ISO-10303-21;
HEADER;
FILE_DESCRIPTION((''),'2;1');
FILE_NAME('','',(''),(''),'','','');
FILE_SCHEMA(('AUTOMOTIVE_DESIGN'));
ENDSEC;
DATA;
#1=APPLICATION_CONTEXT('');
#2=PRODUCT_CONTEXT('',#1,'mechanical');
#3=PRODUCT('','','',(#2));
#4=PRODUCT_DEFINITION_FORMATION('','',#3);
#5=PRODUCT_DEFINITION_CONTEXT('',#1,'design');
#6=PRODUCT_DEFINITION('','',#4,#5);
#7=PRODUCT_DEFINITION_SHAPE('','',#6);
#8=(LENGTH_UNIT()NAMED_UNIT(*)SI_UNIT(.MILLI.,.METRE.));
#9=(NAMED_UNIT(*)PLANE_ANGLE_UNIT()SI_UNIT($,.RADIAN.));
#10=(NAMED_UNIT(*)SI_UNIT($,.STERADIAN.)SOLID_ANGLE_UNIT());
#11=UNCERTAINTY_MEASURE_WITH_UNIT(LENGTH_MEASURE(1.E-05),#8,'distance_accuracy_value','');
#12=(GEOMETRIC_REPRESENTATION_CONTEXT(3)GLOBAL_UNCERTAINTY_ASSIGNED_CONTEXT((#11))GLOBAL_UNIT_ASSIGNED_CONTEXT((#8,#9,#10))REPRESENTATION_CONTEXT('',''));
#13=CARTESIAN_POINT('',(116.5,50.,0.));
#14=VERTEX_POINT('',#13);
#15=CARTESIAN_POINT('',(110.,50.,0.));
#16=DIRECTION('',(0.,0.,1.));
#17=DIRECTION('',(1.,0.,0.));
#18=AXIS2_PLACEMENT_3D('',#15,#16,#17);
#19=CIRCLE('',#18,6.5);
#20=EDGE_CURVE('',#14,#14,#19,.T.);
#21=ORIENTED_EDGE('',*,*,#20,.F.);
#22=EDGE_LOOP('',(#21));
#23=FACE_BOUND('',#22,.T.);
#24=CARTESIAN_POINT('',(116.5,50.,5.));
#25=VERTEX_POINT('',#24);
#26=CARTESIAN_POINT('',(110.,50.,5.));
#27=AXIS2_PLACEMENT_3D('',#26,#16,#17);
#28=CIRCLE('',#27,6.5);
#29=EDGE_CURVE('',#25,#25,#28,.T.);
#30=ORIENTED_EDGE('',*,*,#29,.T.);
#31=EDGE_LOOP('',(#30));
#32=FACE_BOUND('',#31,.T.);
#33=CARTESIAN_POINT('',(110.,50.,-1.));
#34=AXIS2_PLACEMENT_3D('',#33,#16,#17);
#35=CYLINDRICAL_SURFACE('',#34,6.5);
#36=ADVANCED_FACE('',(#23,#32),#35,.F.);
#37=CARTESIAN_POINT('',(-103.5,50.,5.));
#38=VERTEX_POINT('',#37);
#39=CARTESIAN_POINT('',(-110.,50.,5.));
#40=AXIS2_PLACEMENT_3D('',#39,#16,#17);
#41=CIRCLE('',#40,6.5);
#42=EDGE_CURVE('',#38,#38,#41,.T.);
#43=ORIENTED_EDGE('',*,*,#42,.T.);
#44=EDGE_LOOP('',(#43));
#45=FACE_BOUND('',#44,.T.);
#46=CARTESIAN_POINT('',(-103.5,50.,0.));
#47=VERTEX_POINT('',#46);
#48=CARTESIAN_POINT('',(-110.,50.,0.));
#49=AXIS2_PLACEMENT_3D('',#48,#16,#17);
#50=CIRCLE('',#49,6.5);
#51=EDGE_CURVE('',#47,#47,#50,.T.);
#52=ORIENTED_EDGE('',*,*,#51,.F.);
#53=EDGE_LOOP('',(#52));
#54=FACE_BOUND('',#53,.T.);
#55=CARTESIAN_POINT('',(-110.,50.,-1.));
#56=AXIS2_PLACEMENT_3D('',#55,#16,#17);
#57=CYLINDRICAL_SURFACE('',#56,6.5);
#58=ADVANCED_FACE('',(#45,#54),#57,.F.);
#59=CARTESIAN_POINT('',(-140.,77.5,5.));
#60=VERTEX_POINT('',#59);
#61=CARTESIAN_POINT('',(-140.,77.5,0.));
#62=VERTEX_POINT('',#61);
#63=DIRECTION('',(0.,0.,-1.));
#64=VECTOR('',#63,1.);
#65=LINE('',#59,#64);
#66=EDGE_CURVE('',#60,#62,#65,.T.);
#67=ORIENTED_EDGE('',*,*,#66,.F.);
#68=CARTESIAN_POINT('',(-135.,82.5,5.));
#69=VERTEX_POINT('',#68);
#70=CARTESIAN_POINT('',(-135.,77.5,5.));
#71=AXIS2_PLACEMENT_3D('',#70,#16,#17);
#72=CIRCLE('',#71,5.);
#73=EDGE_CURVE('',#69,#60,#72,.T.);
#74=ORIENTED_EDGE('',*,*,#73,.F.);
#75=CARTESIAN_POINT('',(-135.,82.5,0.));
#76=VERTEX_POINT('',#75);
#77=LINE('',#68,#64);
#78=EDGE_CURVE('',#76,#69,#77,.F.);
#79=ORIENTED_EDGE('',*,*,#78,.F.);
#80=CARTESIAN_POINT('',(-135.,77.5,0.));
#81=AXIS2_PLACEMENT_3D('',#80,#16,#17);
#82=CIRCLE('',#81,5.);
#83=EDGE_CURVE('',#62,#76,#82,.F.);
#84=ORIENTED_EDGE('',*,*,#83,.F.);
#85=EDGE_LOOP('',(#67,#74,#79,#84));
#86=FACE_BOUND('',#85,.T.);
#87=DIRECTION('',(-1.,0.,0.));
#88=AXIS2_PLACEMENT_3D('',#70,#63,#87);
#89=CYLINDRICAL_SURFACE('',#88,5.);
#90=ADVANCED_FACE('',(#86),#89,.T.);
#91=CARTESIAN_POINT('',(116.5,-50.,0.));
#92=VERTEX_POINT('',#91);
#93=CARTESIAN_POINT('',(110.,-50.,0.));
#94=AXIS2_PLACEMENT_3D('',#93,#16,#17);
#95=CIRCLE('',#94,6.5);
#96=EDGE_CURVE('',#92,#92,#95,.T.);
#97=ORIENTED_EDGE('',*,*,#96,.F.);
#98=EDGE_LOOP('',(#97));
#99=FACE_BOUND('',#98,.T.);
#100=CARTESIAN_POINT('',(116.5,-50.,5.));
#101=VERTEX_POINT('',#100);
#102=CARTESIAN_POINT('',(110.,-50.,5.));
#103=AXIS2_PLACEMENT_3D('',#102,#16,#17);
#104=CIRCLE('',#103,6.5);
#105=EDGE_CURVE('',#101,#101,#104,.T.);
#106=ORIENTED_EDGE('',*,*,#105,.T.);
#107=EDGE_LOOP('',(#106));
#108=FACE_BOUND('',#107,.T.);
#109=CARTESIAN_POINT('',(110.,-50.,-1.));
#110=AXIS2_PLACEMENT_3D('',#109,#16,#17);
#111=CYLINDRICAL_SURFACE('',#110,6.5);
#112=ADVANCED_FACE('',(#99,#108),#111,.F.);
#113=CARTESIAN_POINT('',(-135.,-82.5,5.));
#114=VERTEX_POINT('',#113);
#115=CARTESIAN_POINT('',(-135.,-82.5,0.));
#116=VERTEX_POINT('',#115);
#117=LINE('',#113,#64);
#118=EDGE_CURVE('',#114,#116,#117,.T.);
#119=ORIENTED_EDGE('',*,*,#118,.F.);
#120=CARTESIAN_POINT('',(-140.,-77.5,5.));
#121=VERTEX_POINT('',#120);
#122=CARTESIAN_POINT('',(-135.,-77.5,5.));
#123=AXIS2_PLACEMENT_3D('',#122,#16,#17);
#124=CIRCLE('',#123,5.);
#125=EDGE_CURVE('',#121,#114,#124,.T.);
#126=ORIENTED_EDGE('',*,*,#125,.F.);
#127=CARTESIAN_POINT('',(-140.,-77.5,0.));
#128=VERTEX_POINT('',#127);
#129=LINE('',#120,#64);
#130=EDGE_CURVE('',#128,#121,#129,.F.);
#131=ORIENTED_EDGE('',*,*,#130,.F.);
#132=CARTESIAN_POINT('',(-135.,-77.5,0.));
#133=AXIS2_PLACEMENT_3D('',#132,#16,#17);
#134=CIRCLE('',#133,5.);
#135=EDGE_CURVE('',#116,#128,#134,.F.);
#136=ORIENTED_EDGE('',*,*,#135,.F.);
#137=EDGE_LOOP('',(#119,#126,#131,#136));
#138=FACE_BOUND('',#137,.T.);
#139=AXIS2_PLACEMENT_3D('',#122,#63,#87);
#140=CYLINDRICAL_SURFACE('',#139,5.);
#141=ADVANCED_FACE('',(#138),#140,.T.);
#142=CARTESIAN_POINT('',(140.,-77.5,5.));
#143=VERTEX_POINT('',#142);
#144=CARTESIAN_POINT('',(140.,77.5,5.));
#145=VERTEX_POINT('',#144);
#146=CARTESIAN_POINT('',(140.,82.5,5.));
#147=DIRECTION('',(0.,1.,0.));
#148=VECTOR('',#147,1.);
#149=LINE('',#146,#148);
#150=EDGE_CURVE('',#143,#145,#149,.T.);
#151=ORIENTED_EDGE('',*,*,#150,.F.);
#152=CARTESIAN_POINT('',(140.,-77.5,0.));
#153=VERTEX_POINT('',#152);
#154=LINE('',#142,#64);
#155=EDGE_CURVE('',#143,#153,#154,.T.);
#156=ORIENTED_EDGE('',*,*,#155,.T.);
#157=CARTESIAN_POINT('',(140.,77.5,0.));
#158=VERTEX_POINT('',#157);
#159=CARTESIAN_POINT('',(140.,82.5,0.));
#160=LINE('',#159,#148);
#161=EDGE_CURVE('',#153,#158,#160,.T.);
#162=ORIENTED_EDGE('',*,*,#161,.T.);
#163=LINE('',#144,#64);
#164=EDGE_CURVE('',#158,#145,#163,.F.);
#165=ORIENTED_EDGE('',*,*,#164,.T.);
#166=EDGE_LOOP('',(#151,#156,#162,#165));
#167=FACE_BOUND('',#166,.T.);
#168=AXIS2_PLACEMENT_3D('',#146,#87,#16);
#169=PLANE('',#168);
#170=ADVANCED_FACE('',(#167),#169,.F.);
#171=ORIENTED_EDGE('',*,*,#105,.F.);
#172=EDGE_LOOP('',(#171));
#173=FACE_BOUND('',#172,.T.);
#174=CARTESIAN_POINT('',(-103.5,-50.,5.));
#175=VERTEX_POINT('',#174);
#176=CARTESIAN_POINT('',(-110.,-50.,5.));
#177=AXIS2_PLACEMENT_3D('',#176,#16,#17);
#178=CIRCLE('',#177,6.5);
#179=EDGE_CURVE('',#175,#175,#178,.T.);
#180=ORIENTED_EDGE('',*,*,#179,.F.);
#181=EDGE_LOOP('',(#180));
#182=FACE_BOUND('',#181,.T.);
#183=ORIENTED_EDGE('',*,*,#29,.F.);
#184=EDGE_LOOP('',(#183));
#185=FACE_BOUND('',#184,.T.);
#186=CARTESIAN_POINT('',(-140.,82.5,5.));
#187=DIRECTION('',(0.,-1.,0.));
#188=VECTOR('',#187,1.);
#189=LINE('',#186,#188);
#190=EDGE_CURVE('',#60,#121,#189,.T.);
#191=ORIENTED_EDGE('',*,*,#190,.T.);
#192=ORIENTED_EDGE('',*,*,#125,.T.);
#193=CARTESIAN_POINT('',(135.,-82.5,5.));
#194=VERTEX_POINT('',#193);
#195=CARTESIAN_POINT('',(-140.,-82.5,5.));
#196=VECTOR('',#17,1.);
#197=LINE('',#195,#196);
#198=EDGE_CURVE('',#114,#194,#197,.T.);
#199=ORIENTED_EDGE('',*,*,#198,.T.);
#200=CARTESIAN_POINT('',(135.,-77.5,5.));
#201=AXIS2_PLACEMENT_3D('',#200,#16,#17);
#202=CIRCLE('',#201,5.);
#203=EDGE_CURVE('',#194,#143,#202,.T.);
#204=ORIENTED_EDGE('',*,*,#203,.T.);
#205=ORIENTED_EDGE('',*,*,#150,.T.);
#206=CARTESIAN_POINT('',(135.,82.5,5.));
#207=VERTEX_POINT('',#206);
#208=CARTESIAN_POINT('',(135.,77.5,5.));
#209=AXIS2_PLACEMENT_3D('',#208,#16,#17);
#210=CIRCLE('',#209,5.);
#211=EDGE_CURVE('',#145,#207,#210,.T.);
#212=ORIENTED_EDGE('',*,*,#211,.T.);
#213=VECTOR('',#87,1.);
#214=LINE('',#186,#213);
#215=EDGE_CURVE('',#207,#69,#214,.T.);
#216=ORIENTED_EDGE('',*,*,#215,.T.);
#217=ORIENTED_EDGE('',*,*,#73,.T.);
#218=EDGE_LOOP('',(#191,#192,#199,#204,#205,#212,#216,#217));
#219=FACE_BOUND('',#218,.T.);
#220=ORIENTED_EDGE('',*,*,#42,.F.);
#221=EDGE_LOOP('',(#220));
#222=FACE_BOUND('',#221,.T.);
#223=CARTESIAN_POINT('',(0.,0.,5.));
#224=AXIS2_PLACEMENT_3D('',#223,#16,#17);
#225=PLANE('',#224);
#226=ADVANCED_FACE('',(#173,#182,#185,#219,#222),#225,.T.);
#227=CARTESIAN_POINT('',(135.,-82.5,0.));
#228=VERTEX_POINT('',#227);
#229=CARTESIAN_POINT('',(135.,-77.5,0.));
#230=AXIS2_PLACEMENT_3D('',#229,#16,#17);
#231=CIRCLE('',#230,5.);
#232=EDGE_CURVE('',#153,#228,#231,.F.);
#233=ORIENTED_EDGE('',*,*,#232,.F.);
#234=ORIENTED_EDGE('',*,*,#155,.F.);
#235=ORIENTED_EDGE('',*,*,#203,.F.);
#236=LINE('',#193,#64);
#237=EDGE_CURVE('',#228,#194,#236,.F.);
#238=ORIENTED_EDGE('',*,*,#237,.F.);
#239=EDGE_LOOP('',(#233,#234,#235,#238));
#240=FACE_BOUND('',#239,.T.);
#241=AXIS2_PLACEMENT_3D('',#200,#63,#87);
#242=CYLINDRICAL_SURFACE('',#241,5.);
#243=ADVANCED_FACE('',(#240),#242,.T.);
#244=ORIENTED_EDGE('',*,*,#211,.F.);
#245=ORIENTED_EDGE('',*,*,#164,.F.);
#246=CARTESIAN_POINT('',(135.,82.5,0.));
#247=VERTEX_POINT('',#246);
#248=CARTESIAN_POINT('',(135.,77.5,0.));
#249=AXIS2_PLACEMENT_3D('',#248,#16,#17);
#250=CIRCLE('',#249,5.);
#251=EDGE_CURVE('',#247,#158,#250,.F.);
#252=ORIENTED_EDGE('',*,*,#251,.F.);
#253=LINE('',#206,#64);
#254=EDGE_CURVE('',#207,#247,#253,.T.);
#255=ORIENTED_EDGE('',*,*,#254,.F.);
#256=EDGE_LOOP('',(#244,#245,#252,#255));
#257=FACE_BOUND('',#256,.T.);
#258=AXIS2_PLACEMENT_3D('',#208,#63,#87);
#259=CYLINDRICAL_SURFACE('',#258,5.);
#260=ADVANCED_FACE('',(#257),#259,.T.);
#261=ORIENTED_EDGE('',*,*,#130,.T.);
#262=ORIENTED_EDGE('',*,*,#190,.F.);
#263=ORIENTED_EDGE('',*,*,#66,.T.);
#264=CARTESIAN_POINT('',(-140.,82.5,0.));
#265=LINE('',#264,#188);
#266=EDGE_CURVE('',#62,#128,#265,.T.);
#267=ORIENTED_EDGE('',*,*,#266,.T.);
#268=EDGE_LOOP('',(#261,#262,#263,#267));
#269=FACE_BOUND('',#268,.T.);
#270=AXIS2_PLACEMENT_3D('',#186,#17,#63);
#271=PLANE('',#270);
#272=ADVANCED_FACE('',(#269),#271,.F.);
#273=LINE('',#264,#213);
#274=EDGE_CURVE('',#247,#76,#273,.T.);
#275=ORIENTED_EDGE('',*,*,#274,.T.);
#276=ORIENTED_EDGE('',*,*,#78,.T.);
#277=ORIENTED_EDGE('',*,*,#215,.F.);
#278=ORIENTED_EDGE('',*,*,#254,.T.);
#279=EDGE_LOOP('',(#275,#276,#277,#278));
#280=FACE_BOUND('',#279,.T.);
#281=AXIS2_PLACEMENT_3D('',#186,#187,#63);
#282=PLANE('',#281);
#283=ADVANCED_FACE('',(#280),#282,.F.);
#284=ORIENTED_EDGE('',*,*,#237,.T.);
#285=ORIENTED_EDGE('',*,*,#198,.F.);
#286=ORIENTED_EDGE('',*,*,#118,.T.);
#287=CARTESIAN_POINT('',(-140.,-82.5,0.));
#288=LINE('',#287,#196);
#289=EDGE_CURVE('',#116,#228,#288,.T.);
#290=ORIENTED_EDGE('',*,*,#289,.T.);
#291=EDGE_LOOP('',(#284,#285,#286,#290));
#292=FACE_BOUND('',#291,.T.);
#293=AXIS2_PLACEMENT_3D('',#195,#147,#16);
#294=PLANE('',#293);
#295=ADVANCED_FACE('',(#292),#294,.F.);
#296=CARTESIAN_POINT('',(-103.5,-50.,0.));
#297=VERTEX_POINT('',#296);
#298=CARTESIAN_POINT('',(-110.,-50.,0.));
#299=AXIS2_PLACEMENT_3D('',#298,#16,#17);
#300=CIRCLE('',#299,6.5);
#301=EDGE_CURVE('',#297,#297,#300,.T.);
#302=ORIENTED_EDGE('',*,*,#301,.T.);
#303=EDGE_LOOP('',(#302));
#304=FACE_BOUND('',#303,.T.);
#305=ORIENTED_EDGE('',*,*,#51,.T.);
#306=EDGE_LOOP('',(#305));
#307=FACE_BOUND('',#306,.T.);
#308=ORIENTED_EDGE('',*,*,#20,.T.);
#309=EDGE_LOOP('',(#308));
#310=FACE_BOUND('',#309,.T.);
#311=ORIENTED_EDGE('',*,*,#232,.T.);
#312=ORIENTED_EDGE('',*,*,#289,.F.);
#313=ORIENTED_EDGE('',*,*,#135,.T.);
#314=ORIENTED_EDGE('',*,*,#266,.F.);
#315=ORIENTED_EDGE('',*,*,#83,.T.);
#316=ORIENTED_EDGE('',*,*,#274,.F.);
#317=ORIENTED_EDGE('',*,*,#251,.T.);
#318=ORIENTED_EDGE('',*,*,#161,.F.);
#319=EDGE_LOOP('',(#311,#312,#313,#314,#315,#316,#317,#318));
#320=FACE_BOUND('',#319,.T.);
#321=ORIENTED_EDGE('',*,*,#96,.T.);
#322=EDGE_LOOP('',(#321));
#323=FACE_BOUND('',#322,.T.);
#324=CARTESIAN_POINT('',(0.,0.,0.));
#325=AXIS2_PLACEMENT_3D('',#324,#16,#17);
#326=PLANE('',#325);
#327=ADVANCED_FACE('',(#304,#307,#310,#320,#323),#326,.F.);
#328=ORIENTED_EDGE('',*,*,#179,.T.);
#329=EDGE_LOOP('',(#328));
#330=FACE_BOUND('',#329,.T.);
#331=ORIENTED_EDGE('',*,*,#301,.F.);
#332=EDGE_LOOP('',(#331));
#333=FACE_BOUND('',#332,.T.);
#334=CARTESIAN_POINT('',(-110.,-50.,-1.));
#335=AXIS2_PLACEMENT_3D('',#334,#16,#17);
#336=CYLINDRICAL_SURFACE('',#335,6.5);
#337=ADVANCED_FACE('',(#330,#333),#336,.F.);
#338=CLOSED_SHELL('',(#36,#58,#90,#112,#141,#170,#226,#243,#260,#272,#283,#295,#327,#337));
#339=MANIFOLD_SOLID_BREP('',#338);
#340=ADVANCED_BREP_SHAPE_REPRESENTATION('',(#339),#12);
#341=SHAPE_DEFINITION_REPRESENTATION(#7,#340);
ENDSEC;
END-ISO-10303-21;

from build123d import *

# Parameters (mm, degrees)
SKETCH_1_W          = 280
SKETCH_1_H          = 165
EXTRUDE_1_DEPTH     = 5
SKETCH_2_R          = 6.5
CUT_EXTRUDE_1_DEPTH = 6
FILLET_1_R          = 5


with BuildPart() as part:
    # 草图1 → 凸台-拉伸1 (new body)
    with BuildSketch(Plane.XY):
        Rectangle(SKETCH_1_W, SKETCH_1_H)
    extrude(amount=EXTRUDE_1_DEPTH)

    # 草图2 → 切除-拉伸1 (cut)
    with BuildSketch(Plane.XY.offset(5)):
        with Locations((-110, 50)):
            Circle(SKETCH_2_R)
        with Locations((110, 50)):
            Circle(SKETCH_2_R)
        with Locations((-110, -50)):
            Circle(SKETCH_2_R)
        with Locations((110, -50)):
            Circle(SKETCH_2_R)
    extrude(amount=-CUT_EXTRUDE_1_DEPTH, mode=Mode.SUBTRACT)

    # 圆角1
    fillet_1_edges = [part.edges().sort_by_distance(p)[0] for p in [
        (140, -82.5, 2.5),
        (-140, -82.5, 2.5),
        (-140, 82.5, 2.5),
        (140, 82.5, 2.5),
    ]]
    fillet(fillet_1_edges, radius=FILLET_1_R)


solid = part.part
